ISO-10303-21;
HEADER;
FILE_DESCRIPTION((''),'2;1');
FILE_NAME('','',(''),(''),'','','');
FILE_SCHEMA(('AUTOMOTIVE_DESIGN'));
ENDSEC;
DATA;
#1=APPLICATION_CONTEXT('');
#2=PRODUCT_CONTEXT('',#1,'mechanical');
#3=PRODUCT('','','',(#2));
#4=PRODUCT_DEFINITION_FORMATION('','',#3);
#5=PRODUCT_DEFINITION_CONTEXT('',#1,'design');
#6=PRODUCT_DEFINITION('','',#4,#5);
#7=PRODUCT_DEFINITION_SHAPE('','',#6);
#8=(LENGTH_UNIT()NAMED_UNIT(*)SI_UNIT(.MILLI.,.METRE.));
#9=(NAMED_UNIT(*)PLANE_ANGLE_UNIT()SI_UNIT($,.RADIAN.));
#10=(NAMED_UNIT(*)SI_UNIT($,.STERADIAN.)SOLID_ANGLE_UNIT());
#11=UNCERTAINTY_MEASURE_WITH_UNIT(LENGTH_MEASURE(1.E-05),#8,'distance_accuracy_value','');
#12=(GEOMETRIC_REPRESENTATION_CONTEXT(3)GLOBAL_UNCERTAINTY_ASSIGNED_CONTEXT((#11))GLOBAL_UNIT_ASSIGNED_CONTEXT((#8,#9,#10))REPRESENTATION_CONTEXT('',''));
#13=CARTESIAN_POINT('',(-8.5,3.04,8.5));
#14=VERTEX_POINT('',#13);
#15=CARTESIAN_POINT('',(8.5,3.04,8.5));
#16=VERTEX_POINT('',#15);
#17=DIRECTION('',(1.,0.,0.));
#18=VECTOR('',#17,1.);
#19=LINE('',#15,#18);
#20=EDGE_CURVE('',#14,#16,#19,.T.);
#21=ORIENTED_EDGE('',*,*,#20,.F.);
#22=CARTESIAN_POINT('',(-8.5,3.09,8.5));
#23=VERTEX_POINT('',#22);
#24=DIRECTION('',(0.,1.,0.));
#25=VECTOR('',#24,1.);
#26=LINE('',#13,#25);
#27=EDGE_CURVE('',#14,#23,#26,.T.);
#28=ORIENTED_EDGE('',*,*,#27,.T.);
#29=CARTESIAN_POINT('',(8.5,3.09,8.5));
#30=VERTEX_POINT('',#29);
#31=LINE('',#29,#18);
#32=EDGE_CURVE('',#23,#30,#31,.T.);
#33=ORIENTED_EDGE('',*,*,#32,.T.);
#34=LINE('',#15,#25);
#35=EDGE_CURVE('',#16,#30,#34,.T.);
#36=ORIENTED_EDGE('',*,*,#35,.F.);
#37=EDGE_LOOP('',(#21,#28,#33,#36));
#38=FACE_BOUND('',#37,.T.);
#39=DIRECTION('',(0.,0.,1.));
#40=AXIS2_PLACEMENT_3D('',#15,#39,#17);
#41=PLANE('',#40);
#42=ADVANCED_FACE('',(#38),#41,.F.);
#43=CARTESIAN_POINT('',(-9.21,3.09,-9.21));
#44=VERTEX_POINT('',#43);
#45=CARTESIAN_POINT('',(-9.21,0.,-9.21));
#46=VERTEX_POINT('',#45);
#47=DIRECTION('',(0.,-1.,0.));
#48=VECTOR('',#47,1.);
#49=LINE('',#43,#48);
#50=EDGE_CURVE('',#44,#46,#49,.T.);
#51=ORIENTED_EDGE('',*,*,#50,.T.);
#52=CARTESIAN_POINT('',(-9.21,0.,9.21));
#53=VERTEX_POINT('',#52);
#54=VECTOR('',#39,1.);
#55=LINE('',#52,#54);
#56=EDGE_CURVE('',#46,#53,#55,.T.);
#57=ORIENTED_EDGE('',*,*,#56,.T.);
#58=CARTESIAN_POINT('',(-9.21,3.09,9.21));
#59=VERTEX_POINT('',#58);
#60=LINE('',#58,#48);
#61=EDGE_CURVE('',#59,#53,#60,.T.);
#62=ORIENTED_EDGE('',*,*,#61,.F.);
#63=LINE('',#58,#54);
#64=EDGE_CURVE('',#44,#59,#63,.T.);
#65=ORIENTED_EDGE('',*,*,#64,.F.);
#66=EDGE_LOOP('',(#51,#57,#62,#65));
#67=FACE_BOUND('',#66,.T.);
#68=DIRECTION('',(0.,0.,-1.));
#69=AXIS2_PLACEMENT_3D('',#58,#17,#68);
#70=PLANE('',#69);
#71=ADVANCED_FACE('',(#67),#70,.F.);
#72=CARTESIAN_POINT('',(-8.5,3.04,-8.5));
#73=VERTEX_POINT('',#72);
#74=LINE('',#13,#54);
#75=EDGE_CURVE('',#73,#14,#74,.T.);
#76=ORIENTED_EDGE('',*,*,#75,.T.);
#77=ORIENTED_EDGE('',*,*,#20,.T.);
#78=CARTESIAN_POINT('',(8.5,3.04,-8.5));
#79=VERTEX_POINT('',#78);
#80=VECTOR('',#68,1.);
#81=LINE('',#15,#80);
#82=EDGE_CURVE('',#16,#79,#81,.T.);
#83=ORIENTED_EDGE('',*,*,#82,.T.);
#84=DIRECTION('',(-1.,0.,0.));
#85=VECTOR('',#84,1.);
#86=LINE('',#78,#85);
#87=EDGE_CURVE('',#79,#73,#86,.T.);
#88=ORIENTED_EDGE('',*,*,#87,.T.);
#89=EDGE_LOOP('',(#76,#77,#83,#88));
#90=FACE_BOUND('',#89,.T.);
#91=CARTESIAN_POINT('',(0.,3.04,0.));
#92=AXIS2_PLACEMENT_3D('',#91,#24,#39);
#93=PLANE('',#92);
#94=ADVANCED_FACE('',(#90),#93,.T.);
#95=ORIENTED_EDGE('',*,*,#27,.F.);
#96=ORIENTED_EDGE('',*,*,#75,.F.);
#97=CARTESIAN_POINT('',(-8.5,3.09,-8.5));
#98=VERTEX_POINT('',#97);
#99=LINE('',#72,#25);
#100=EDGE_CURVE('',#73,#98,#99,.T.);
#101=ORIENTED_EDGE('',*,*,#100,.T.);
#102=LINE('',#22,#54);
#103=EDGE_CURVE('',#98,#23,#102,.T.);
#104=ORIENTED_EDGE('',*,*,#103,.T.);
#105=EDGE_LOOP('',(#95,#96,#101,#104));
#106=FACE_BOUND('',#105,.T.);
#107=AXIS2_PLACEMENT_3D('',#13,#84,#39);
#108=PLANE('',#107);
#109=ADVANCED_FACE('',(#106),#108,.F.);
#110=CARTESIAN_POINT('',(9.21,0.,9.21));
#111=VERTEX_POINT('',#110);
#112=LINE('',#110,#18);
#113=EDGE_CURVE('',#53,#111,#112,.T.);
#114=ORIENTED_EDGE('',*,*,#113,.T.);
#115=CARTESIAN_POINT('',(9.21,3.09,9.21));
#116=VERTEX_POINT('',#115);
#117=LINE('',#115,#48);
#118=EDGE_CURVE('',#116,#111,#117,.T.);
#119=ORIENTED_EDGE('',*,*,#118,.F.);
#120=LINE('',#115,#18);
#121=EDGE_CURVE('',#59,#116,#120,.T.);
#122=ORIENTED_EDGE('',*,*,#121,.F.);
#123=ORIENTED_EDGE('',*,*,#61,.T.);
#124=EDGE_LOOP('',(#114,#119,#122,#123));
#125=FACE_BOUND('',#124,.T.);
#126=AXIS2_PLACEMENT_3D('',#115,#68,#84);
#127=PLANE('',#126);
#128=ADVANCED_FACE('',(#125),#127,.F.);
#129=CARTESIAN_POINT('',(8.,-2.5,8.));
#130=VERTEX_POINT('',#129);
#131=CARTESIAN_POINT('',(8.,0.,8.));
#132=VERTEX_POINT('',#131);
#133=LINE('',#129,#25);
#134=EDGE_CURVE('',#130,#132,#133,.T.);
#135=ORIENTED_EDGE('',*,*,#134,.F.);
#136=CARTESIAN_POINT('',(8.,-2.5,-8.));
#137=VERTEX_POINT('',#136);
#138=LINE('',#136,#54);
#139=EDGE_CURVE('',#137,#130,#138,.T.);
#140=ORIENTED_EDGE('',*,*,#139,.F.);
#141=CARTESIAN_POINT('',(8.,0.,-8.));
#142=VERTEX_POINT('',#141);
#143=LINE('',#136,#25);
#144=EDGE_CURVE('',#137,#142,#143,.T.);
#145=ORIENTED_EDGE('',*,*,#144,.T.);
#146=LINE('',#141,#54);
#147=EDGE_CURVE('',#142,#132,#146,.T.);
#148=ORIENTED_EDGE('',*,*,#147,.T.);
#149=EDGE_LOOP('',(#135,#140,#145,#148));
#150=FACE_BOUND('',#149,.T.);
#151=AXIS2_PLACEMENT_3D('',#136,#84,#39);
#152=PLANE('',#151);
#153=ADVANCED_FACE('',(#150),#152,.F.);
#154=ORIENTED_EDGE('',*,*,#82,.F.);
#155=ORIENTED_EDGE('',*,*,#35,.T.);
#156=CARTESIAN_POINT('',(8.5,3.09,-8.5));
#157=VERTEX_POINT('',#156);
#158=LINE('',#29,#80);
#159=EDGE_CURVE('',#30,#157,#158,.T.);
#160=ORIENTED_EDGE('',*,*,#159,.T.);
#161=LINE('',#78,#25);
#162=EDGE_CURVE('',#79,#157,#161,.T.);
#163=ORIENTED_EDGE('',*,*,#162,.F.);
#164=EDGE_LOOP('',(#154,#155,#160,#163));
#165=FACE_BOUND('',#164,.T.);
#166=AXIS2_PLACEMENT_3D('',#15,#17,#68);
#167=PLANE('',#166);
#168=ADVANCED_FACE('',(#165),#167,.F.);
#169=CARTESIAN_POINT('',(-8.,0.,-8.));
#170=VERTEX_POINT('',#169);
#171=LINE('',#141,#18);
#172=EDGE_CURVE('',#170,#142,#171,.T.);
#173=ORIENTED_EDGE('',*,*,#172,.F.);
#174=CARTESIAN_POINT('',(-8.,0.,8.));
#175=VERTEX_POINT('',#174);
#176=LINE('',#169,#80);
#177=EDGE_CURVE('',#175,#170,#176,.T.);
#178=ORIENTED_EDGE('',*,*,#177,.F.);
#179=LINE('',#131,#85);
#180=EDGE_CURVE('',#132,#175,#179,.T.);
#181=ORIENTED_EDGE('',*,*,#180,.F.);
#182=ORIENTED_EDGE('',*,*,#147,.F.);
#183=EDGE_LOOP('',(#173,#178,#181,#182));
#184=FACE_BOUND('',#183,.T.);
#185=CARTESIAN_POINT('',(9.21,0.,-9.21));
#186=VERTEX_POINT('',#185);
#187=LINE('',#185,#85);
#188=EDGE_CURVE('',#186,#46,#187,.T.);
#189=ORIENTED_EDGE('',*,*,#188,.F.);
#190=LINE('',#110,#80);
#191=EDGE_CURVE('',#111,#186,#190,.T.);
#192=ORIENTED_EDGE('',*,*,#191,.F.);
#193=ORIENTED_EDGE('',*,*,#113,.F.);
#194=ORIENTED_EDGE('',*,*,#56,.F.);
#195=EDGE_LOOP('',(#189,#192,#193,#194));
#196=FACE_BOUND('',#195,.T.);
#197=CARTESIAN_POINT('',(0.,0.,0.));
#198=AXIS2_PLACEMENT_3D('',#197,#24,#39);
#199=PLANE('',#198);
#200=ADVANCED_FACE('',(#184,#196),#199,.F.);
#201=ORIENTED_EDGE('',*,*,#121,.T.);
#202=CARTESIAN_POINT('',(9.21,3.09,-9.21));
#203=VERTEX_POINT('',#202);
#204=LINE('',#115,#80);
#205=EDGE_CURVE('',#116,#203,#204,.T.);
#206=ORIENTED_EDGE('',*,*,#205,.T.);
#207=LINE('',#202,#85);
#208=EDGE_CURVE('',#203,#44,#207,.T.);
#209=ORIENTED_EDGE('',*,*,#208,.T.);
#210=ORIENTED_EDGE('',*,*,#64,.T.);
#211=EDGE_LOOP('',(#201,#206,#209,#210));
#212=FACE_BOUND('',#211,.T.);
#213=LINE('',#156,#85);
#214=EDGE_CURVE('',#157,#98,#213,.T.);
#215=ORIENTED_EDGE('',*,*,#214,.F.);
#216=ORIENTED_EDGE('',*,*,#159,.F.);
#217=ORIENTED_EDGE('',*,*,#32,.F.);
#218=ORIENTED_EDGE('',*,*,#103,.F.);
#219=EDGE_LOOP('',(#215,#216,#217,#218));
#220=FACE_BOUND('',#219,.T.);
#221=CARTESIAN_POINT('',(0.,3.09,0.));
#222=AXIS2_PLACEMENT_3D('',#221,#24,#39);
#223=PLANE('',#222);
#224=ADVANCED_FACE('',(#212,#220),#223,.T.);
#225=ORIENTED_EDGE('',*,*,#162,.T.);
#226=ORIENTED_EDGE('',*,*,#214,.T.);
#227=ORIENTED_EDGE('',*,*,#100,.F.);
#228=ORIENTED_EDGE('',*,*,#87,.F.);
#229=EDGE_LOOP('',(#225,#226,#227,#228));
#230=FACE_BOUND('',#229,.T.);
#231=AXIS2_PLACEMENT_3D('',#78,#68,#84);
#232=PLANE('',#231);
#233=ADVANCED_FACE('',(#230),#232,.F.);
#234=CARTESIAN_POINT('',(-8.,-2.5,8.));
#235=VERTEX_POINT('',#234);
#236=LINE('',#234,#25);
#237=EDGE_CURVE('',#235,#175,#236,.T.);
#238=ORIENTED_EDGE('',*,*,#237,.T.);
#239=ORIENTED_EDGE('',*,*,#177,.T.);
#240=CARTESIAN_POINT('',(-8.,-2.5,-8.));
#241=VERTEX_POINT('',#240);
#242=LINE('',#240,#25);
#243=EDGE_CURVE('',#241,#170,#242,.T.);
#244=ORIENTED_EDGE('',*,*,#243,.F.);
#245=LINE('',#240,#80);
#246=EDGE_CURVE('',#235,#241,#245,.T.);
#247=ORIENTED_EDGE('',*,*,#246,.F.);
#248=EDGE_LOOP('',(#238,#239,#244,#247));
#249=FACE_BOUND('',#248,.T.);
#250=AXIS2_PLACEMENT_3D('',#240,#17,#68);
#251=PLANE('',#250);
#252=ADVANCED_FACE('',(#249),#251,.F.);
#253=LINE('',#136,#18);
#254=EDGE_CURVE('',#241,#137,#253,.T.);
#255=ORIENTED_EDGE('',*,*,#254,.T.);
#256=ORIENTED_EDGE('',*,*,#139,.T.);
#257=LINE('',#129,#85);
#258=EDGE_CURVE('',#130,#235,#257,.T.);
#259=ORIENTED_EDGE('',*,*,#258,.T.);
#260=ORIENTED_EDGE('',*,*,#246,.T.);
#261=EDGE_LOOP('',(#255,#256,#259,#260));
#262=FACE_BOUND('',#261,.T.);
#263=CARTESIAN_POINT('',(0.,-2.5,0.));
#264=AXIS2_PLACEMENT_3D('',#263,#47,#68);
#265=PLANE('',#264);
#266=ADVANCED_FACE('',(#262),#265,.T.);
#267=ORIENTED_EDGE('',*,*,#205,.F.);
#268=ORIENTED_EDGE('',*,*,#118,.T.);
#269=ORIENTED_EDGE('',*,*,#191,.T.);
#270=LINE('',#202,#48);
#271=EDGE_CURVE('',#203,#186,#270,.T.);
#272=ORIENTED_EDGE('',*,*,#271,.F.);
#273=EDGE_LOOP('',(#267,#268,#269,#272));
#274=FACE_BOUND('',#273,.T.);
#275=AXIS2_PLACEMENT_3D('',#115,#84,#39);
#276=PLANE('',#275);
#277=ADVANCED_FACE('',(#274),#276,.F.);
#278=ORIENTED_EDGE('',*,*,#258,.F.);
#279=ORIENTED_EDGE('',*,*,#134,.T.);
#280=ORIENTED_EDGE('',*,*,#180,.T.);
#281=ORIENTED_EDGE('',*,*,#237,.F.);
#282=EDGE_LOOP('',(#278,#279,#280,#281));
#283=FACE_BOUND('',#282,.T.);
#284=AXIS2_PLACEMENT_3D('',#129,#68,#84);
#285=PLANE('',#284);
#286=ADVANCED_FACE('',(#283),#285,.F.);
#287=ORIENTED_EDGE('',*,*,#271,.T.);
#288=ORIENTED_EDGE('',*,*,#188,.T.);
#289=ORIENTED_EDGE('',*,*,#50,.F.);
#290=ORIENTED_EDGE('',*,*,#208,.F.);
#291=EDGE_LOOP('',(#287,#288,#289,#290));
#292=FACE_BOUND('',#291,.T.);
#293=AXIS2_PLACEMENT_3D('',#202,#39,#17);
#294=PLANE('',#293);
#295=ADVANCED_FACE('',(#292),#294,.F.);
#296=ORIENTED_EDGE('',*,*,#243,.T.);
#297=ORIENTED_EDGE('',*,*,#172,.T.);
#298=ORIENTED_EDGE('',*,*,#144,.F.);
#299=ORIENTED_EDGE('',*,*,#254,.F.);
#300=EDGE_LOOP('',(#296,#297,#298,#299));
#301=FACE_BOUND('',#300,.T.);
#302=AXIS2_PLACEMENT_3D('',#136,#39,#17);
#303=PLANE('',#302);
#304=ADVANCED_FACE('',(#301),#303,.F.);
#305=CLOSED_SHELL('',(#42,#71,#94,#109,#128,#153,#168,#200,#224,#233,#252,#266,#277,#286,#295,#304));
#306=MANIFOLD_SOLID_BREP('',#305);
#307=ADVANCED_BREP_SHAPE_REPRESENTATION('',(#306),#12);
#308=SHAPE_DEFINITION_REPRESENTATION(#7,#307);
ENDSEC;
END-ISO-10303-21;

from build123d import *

# Parameters (mm, degrees)
SKETCH1_W           = 18.42
SKETCH1_H           = 18.42
BOSS_EXTRUDE1_DEPTH = 3.09
SKETCH2_W           = 16
SKETCH2_H           = 16
BOSS_EXTRUDE2_DEPTH = 2.5
SKETCH4_W           = 17
SKETCH4_H           = 17
CUT_EXTRUDE1_DEPTH  = 0.05


with BuildPart() as part:
    # Sketch1 → Boss-Extrude1 (new body)
    with BuildSketch(Plane(origin=(0, 0, 0), x_dir=(1, 0, 0), z_dir=(0, 1, 0))):
        Rectangle(SKETCH1_W, SKETCH1_H)
    extrude(amount=BOSS_EXTRUDE1_DEPTH)

    # Sketch2 → Boss-Extrude2 (add)
    with BuildSketch(Plane.XZ):
        Rectangle(SKETCH2_W, SKETCH2_H)
    extrude(amount=BOSS_EXTRUDE2_DEPTH)

    # Sketch4 → Cut-Extrude1 (cut)
    with BuildSketch(Plane(origin=(0, 3.09, 0), x_dir=(1, 0, 0), z_dir=(0, 1, 0))):
        Rectangle(SKETCH4_W, SKETCH4_H)
    extrude(amount=-CUT_EXTRUDE1_DEPTH, mode=Mode.SUBTRACT)


solid = part.part
